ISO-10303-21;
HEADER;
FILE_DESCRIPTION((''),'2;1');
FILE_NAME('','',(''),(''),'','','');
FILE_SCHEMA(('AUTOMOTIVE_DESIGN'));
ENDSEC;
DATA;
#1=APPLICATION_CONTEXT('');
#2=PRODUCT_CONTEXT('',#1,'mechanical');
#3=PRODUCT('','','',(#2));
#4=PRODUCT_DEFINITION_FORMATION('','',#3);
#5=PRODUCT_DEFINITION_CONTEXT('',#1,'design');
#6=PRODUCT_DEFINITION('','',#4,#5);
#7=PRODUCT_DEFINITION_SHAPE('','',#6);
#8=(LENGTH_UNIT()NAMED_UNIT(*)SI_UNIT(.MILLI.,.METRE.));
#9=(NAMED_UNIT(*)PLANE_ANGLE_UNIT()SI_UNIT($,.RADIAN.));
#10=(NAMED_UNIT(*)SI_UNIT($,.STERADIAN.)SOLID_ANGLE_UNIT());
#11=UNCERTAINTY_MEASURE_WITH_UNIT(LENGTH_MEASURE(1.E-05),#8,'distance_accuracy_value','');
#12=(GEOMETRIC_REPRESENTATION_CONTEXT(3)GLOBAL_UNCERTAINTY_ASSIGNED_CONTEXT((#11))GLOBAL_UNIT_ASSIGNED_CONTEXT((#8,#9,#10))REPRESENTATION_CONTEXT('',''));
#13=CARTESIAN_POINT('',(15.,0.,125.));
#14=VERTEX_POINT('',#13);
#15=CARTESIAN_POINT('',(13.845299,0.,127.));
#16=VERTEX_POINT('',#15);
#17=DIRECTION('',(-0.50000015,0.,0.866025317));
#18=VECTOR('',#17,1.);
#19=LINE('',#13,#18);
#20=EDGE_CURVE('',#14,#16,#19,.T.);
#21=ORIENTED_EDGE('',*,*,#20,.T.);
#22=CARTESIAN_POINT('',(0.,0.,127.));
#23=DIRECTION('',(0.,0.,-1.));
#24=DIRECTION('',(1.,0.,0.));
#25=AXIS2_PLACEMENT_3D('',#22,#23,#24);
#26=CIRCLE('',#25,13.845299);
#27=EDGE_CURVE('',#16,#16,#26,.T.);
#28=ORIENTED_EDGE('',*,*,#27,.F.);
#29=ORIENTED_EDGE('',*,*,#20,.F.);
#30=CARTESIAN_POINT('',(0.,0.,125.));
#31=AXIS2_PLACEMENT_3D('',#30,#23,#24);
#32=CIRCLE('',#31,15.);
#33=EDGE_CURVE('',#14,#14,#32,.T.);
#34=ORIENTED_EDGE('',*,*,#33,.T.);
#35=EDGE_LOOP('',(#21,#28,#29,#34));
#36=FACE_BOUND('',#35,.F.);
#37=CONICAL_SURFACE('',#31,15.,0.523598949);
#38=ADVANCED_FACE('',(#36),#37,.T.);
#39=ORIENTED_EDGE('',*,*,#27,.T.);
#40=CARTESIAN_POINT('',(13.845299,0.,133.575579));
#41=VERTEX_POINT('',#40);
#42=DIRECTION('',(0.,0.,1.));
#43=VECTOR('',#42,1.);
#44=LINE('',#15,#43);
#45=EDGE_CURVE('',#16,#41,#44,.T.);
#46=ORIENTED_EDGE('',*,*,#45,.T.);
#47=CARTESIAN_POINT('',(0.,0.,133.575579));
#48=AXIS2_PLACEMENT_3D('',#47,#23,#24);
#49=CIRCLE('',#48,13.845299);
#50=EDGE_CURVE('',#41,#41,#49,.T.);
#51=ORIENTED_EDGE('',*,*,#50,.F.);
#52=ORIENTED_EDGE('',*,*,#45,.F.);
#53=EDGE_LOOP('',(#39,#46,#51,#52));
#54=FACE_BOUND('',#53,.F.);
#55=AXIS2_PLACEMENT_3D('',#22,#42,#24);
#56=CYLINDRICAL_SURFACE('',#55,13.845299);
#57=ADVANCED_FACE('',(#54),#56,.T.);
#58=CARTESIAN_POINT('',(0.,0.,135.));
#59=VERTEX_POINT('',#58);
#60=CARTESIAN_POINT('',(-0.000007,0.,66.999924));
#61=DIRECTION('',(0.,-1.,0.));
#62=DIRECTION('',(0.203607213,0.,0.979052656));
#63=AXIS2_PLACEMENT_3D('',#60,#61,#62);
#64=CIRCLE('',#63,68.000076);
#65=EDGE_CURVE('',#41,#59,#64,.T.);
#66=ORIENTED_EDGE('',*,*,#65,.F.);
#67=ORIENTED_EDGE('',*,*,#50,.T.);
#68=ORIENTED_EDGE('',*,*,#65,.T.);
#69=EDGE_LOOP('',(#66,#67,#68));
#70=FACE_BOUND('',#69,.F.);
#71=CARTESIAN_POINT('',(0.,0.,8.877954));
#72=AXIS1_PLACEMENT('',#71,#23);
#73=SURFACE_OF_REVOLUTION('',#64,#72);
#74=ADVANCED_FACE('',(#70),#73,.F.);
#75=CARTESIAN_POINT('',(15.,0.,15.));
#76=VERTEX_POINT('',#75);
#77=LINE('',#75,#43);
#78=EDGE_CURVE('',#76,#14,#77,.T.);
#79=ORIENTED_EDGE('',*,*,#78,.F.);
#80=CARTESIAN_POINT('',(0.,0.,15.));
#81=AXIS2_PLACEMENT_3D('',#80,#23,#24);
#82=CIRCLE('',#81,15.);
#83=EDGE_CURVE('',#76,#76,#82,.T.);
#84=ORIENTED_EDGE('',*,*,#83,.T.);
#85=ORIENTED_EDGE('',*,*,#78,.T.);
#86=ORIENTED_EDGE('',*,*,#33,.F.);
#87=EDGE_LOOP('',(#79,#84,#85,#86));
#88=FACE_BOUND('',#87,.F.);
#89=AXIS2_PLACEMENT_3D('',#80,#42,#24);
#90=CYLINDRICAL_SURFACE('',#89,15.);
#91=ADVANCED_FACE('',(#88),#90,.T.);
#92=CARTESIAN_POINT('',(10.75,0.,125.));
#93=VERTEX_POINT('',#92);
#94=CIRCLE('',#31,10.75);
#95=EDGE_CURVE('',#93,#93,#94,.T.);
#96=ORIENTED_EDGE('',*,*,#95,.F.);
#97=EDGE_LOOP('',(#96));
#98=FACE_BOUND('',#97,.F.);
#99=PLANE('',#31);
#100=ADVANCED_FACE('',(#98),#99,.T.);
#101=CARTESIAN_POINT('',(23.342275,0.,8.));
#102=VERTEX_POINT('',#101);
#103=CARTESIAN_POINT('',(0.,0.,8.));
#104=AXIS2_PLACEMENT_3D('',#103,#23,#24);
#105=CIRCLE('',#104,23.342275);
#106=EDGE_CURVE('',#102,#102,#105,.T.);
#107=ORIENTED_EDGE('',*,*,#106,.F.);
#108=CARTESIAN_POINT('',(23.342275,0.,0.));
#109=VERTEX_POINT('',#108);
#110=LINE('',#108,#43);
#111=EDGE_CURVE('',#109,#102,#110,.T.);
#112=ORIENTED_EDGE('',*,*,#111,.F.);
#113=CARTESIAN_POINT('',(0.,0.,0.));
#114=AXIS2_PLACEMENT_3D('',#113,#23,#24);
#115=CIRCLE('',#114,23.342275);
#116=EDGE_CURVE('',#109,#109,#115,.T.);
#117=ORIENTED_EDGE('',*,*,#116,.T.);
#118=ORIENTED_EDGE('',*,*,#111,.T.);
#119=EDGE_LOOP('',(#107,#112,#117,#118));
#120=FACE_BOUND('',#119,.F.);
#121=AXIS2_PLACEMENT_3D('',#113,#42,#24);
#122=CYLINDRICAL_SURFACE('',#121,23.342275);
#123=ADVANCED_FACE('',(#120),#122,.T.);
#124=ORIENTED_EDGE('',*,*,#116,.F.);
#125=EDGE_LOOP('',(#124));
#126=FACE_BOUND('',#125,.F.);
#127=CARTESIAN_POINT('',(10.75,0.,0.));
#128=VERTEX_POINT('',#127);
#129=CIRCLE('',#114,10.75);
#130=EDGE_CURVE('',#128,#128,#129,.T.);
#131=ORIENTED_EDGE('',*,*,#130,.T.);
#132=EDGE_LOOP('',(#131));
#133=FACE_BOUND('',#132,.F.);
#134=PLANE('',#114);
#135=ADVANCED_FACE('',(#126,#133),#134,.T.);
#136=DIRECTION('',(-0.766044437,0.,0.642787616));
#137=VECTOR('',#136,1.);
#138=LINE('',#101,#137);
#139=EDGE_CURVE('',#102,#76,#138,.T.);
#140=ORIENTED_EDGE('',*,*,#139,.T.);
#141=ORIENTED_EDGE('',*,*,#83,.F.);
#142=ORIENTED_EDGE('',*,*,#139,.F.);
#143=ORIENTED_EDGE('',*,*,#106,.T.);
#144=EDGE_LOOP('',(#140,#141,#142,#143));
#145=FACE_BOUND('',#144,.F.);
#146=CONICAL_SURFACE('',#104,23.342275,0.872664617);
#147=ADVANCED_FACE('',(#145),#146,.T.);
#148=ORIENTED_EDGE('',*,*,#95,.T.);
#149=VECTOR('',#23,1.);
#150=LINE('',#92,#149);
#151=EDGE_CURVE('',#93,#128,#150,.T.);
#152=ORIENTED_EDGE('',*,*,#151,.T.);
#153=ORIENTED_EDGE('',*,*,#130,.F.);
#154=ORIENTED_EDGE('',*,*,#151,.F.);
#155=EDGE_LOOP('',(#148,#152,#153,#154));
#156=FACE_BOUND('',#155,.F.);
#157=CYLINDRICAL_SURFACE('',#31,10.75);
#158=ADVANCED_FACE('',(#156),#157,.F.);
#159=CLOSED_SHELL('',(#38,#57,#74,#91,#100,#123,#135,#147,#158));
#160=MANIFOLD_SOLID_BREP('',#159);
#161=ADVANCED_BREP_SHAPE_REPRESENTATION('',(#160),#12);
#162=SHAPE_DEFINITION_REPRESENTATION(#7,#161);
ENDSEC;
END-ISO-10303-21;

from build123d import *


with BuildPart() as f1:
    # F0 (on Front) → F1 (revolve)
    with BuildSketch(Plane.XZ):
        with BuildLine():
            ThreePointArc((13.845299, 133.575579), (6.95919, 134.642957), (0, 135))
            Line((0, 135), (0, 125))
            Line((0, 125), (10.75, 125))
            Line((10.75, 125), (10.75, 0))
            Line((10.75, 0), (23.342275, 0))
            Line((23.342275, 0), (23.342275, 8))
            Line((23.342275, 8), (15, 15))
            Line((15, 15), (15, 125))
            Line((15, 125), (13.845299, 127))
            Line((13.845299, 127), (13.845299, 133.575579))
        make_face()
    revolve(axis=Axis((0, 0, 8.877954), (0, 0, -1)))


solid = f1.part
